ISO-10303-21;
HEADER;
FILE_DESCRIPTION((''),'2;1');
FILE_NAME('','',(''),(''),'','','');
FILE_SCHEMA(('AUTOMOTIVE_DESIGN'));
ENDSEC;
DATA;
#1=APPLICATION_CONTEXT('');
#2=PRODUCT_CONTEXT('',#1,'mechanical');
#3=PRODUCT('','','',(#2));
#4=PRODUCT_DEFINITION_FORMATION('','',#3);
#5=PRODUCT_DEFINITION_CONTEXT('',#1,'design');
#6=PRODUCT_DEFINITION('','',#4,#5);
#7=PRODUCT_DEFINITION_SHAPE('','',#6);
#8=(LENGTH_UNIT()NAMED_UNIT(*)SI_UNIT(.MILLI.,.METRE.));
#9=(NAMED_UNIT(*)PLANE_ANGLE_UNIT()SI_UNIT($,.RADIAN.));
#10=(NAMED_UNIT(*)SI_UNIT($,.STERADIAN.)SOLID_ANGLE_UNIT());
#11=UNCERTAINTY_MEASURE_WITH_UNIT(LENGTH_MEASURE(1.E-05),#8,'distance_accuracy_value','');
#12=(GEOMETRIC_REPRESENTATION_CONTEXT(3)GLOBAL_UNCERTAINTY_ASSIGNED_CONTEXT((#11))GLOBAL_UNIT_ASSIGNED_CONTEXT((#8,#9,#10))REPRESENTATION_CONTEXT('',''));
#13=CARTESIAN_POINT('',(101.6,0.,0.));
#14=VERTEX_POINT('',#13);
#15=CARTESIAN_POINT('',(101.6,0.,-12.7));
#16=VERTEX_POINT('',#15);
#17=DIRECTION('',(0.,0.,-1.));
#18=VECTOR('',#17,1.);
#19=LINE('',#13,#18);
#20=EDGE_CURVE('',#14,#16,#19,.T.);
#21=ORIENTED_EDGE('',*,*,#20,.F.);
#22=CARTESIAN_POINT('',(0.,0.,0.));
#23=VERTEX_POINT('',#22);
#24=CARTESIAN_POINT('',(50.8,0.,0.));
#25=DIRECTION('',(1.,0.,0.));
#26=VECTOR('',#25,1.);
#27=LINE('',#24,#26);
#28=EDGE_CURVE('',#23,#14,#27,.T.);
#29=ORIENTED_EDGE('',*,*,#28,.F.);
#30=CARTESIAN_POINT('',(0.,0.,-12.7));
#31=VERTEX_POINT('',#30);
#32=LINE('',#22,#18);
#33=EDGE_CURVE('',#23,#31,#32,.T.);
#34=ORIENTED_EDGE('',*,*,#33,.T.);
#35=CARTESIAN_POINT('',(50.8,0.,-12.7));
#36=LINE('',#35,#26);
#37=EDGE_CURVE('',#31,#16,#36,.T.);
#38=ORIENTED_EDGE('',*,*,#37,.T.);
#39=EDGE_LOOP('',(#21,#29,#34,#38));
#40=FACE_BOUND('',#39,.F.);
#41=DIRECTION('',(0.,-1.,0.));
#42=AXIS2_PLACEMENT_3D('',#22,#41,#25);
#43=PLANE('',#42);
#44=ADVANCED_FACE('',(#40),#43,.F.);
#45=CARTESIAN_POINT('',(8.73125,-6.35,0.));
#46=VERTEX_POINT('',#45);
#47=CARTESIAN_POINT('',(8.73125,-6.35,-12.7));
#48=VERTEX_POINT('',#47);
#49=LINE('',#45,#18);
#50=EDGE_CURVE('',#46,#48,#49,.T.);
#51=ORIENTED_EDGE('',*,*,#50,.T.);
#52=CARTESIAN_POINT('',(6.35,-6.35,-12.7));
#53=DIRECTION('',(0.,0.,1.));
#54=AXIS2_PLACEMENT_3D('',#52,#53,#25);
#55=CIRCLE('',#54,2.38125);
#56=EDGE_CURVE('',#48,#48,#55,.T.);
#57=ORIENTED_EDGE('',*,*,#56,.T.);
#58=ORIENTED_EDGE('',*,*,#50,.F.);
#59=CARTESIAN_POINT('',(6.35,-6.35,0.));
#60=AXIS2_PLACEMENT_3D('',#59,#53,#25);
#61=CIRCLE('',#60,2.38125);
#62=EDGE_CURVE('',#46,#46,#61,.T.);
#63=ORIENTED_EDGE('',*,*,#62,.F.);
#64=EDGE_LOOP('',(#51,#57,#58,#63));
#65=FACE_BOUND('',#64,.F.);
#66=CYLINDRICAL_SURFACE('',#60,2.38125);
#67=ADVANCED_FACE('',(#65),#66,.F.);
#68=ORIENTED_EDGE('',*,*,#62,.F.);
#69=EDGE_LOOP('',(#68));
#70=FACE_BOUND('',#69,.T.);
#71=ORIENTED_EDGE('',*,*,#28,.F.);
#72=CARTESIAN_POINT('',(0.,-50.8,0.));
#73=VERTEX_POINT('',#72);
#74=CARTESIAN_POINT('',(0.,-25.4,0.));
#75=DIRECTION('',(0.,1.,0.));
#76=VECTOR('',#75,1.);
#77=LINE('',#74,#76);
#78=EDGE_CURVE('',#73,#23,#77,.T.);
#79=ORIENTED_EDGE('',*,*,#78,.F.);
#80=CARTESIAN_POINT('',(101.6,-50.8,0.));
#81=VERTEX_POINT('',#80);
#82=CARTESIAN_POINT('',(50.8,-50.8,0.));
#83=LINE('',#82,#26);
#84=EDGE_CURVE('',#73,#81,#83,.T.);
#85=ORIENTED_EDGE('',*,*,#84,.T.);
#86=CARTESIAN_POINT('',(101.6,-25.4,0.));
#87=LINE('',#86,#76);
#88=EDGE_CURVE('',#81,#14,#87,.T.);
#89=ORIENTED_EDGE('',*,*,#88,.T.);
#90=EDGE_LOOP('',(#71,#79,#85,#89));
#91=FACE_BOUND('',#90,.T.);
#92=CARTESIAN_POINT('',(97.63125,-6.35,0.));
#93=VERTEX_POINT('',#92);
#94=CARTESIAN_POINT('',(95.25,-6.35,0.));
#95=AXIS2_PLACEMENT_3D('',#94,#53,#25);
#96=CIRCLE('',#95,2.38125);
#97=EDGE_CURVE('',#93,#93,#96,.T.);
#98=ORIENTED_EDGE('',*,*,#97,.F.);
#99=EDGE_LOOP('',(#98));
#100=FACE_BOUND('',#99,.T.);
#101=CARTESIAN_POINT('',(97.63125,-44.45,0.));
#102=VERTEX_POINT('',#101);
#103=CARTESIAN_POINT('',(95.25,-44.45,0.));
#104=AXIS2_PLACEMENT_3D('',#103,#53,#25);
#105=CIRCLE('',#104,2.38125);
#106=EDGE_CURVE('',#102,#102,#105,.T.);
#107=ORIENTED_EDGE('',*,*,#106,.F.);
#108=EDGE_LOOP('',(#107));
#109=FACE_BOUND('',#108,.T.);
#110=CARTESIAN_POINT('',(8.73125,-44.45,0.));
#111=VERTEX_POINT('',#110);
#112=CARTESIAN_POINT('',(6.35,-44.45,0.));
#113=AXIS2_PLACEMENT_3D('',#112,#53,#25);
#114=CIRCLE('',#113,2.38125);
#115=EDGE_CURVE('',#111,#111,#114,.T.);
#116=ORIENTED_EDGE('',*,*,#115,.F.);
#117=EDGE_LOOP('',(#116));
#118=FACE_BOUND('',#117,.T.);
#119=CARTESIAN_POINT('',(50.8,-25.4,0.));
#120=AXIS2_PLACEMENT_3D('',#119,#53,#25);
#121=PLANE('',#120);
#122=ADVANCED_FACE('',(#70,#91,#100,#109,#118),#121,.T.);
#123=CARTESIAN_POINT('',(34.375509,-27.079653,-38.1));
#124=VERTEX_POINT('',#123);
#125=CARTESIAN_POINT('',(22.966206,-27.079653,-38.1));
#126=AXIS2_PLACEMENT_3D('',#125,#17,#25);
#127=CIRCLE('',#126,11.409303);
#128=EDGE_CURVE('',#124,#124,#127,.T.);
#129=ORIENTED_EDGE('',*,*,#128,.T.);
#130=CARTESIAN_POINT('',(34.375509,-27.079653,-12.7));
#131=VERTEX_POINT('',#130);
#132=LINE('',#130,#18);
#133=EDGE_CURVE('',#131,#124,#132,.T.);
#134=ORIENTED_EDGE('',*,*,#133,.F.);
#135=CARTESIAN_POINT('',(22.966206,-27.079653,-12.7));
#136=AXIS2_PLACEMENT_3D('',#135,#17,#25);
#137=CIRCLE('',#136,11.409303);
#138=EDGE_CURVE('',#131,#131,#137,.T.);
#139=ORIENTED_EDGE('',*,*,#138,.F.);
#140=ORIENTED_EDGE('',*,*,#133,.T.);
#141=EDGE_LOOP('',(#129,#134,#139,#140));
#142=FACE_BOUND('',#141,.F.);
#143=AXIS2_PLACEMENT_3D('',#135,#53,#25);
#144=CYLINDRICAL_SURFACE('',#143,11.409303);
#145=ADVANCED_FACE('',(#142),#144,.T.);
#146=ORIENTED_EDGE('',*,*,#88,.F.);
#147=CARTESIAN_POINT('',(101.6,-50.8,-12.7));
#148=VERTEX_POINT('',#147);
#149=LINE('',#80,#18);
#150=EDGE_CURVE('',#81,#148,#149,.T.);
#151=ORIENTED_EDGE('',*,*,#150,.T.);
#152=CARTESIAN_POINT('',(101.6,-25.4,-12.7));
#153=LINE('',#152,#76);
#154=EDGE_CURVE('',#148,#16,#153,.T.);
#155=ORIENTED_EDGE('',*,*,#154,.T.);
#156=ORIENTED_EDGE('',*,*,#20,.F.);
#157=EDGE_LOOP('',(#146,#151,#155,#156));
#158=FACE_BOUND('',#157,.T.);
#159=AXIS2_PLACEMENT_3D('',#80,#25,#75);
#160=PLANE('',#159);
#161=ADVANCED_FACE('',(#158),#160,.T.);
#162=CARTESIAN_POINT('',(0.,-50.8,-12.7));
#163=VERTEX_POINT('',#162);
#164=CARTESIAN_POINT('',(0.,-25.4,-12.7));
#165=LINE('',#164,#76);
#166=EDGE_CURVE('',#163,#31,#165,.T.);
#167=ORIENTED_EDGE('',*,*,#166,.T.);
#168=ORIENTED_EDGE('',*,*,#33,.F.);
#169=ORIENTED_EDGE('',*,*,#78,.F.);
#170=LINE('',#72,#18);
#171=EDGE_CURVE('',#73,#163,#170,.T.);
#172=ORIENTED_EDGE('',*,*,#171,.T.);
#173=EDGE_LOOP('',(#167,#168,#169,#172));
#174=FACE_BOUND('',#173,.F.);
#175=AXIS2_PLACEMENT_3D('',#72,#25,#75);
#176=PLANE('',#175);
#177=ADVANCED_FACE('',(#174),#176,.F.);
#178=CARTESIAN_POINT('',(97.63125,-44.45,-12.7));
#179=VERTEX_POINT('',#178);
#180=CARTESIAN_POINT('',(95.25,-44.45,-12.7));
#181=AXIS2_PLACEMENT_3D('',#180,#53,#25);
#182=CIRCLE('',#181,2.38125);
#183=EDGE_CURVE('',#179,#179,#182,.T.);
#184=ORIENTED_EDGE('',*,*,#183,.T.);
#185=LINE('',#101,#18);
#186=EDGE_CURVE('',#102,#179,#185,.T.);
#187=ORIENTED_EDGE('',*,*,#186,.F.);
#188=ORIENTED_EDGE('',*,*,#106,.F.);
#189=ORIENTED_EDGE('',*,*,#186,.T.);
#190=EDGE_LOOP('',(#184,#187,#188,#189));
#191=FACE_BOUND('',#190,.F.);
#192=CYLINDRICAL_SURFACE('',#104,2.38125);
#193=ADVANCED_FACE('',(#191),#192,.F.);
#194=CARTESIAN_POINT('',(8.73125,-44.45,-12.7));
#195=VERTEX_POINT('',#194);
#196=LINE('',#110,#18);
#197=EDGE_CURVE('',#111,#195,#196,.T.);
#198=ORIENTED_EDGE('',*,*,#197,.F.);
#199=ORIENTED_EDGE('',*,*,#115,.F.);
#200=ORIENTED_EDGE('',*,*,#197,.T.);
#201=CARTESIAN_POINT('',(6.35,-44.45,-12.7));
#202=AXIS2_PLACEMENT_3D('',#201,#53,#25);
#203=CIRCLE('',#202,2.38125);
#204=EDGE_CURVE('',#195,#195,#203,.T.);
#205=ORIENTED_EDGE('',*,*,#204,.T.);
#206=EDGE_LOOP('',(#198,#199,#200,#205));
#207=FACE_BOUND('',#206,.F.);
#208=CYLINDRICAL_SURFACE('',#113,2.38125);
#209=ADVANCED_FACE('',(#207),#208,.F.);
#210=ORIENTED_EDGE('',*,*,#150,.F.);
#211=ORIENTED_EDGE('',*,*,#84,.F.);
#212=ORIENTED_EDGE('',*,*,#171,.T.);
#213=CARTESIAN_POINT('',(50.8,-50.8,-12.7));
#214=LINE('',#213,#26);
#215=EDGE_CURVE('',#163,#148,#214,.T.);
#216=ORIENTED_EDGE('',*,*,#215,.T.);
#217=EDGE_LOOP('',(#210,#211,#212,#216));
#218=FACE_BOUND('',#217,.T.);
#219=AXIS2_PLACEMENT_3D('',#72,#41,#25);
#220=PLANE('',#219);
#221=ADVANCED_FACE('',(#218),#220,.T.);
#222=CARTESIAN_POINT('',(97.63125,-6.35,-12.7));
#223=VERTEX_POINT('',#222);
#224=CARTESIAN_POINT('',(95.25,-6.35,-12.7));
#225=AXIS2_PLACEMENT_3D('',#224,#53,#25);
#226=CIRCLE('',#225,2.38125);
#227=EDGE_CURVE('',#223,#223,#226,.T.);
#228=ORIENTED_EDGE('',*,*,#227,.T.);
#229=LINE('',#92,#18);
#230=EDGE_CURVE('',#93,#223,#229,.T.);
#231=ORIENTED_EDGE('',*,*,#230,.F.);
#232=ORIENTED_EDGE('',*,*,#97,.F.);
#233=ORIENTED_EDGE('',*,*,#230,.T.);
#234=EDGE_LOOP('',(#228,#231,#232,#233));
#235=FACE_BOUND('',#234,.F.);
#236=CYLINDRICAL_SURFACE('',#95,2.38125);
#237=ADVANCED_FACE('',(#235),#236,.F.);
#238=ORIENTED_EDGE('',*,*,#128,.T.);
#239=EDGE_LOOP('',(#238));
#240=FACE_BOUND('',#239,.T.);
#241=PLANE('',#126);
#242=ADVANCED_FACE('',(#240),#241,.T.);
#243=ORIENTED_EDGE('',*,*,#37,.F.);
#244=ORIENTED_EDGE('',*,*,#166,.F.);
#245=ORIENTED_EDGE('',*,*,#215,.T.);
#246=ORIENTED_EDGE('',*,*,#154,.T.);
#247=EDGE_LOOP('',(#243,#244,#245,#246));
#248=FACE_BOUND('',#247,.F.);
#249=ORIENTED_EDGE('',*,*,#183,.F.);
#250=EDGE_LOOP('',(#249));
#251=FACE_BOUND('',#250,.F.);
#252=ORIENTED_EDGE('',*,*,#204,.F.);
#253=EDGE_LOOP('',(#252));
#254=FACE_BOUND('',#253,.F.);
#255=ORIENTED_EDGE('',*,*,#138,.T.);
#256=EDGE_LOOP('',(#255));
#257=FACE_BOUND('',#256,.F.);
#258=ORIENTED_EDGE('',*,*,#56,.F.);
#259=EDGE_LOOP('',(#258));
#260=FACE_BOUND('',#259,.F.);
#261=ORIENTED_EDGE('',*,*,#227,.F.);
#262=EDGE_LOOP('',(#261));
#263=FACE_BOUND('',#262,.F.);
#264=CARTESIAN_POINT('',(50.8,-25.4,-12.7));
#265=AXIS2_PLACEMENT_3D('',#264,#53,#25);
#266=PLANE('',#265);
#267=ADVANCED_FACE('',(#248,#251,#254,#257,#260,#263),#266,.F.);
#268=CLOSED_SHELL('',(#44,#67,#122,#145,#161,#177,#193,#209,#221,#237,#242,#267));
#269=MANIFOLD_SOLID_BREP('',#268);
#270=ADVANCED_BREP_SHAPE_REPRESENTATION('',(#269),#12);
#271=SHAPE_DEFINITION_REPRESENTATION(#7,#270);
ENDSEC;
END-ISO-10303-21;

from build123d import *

# Parameters (mm, degrees)
F0_W     = 101.6
F0_H     = 50.8
F0_R     = 2.38125
F1_DEPTH = 12.7
F2_R     = 11.409303
F3_DEPTH = 25.4


with BuildPart() as f1:
    # F0 (on Top) → F1 (new body)
    with BuildSketch(Plane.XY):
        with Locations((50.8, -25.4)):
            Rectangle(F0_W, F0_H)
        with Locations((6.35, -44.45)):
            Circle(F0_R, mode=Mode.SUBTRACT)
        with Locations((95.25, -44.45)):
            Circle(F0_R, mode=Mode.SUBTRACT)
        with Locations((6.35, -6.35)):
            Circle(F0_R, mode=Mode.SUBTRACT)
        with Locations((95.25, -6.35)):
            Circle(F0_R, mode=Mode.SUBTRACT)
    extrude(amount=-F1_DEPTH)

    # F2 (on face) → F3 (join)
    with BuildSketch(Plane(origin=(0, 0, -12.7), x_dir=(1, 0, 0), z_dir=(0, 0, -1))):
        with Locations((22.966206, 27.079653)):
            Circle(F2_R)
    extrude(amount=F3_DEPTH)


solid = f1.part
